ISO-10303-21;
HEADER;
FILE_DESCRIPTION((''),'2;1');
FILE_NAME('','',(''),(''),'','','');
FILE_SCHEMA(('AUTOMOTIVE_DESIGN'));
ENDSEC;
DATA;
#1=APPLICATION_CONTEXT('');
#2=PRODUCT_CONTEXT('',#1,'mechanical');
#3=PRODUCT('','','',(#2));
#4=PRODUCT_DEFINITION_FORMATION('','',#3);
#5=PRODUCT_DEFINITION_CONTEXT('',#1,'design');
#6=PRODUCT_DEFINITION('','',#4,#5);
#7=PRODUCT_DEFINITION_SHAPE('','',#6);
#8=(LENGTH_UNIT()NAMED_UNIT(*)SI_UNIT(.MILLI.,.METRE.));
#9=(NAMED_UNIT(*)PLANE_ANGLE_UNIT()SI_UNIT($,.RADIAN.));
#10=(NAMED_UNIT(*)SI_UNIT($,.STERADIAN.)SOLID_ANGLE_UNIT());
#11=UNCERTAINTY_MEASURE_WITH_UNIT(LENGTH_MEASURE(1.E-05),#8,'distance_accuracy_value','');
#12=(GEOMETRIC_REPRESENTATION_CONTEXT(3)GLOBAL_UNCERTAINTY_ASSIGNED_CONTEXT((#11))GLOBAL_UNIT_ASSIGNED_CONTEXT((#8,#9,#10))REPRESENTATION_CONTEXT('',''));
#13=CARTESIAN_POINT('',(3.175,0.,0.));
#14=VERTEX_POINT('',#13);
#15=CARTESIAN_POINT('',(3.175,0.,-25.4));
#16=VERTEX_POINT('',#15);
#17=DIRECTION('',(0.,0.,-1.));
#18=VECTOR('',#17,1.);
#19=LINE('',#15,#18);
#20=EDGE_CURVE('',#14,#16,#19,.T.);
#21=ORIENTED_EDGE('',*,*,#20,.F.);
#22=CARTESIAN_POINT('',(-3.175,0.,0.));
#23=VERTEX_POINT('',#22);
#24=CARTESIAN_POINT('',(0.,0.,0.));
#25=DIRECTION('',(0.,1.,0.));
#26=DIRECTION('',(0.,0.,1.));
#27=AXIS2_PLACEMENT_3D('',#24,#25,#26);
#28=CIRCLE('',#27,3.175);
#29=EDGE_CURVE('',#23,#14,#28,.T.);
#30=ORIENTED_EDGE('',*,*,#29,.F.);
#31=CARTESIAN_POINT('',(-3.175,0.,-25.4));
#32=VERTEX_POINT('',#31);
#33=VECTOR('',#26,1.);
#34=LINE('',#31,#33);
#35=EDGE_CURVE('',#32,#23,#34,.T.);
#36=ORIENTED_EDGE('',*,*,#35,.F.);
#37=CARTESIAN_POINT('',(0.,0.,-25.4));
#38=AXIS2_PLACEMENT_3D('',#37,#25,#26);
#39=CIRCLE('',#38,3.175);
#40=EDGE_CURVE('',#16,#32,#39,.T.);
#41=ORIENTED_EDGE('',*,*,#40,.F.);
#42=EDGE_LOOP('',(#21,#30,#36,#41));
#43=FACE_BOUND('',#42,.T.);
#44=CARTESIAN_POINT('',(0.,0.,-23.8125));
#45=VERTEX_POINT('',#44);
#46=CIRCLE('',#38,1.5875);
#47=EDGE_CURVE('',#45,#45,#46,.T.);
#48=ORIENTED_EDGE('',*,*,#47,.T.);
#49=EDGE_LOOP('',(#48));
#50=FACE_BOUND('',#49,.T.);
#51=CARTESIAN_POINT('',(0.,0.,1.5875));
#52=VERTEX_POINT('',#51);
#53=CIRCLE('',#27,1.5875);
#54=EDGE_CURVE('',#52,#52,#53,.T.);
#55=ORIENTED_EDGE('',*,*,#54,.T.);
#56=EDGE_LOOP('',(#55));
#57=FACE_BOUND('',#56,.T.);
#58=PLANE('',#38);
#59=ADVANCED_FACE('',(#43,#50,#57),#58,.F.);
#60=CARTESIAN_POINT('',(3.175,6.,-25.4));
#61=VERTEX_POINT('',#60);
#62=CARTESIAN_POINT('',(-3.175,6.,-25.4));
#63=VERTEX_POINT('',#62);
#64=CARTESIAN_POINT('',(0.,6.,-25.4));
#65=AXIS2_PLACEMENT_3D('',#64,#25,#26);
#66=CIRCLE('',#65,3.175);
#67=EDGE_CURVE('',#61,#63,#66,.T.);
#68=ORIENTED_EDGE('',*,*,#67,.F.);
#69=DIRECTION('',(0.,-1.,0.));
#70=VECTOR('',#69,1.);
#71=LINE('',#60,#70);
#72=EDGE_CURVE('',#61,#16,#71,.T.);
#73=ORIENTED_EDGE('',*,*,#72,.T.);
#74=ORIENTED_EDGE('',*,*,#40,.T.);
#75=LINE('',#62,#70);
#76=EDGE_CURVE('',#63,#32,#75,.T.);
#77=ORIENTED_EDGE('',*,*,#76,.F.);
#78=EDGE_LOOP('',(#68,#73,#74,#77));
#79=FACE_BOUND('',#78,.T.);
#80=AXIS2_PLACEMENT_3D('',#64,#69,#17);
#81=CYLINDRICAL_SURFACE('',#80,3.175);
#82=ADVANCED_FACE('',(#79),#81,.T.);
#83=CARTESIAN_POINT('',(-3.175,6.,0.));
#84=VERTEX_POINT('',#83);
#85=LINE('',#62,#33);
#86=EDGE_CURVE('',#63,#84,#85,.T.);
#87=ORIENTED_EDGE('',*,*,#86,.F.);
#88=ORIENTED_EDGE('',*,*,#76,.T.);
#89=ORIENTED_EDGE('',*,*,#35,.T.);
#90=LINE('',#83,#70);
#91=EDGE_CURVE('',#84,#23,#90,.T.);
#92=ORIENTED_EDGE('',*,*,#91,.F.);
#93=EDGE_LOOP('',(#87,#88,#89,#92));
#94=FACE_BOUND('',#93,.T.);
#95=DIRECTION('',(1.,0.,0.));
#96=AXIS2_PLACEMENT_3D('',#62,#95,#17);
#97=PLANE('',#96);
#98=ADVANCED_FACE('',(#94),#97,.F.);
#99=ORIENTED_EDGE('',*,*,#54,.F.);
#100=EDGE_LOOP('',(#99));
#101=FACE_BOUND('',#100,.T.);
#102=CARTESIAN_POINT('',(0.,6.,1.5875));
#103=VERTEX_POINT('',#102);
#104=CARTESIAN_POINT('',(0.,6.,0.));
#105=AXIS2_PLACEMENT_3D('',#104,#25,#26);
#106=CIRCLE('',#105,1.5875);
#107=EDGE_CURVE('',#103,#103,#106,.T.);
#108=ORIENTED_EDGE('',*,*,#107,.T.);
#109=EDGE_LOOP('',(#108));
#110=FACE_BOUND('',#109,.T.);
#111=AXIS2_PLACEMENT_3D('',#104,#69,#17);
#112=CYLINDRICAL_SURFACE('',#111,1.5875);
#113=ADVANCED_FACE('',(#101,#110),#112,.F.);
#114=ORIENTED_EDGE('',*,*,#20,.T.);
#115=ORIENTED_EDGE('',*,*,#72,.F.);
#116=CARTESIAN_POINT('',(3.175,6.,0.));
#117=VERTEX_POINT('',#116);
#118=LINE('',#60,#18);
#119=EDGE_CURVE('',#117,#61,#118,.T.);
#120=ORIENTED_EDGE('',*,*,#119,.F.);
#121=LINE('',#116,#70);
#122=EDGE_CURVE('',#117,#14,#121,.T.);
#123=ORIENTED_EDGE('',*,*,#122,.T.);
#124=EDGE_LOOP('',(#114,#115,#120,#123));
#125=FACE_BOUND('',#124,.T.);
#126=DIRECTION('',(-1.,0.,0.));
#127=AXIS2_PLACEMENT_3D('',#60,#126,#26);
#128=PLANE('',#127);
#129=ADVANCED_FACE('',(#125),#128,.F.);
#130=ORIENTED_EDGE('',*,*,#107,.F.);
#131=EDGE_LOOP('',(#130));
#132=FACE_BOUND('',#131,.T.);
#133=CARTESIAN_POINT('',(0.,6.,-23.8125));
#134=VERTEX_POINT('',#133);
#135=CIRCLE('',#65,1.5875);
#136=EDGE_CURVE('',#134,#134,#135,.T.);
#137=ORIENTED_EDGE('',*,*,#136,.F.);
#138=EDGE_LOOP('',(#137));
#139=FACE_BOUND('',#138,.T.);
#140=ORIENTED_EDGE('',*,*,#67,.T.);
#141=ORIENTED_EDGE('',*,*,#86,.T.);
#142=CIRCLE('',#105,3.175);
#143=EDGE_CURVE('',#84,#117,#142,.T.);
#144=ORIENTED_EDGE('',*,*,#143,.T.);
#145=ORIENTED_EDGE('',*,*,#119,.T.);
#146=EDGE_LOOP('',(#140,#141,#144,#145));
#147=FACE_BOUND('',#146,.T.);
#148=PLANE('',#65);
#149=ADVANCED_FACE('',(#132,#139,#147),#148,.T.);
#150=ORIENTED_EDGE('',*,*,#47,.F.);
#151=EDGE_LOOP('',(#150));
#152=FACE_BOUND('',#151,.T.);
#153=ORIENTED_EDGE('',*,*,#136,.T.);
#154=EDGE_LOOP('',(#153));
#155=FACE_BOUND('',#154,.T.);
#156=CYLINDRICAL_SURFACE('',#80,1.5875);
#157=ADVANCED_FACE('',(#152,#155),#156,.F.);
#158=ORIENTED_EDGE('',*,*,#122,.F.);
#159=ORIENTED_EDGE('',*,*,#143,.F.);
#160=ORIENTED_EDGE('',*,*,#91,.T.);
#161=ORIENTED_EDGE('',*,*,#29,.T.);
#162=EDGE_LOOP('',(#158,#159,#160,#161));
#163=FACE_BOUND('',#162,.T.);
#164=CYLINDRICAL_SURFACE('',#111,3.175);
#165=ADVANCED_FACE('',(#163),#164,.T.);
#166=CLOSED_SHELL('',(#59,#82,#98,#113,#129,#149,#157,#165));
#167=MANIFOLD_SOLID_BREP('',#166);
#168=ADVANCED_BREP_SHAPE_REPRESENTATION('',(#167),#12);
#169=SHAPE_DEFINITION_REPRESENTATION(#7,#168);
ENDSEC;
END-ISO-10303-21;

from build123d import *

# Parameters (mm, degrees)
SKETCH1_R           = 1.5875
BOSS_EXTRUDE1_DEPTH = 6


with BuildPart() as part:
    # Sketch1 → Boss-Extrude1 (new body)
    with BuildSketch(Plane(origin=(0, 0, 0), x_dir=(1, 0, 0), z_dir=(0, 1, 0))):
        with BuildLine():
            Line((-3.175, 25.399999799), (-3.175, 2.01e-07))
            ThreePointArc((-3.175, 2.01e-07), (0, -3.175), (3.175, 2.01e-07))
            Line((3.175, 2.01e-07), (3.175, 25.399999799))
            ThreePointArc((3.175, 25.399999799), (0, 28.575), (-3.175, 25.399999799))
        make_face()
        with Locations(Location((0, 0, 0), (0, 0, 270))):
            Circle(SKETCH1_R, mode=Mode.SUBTRACT)
        with Locations(Location((0, 25.4, 0), (0, 0, 270))):
            Circle(SKETCH1_R, mode=Mode.SUBTRACT)
    extrude(amount=BOSS_EXTRUDE1_DEPTH)


solid = part.part
